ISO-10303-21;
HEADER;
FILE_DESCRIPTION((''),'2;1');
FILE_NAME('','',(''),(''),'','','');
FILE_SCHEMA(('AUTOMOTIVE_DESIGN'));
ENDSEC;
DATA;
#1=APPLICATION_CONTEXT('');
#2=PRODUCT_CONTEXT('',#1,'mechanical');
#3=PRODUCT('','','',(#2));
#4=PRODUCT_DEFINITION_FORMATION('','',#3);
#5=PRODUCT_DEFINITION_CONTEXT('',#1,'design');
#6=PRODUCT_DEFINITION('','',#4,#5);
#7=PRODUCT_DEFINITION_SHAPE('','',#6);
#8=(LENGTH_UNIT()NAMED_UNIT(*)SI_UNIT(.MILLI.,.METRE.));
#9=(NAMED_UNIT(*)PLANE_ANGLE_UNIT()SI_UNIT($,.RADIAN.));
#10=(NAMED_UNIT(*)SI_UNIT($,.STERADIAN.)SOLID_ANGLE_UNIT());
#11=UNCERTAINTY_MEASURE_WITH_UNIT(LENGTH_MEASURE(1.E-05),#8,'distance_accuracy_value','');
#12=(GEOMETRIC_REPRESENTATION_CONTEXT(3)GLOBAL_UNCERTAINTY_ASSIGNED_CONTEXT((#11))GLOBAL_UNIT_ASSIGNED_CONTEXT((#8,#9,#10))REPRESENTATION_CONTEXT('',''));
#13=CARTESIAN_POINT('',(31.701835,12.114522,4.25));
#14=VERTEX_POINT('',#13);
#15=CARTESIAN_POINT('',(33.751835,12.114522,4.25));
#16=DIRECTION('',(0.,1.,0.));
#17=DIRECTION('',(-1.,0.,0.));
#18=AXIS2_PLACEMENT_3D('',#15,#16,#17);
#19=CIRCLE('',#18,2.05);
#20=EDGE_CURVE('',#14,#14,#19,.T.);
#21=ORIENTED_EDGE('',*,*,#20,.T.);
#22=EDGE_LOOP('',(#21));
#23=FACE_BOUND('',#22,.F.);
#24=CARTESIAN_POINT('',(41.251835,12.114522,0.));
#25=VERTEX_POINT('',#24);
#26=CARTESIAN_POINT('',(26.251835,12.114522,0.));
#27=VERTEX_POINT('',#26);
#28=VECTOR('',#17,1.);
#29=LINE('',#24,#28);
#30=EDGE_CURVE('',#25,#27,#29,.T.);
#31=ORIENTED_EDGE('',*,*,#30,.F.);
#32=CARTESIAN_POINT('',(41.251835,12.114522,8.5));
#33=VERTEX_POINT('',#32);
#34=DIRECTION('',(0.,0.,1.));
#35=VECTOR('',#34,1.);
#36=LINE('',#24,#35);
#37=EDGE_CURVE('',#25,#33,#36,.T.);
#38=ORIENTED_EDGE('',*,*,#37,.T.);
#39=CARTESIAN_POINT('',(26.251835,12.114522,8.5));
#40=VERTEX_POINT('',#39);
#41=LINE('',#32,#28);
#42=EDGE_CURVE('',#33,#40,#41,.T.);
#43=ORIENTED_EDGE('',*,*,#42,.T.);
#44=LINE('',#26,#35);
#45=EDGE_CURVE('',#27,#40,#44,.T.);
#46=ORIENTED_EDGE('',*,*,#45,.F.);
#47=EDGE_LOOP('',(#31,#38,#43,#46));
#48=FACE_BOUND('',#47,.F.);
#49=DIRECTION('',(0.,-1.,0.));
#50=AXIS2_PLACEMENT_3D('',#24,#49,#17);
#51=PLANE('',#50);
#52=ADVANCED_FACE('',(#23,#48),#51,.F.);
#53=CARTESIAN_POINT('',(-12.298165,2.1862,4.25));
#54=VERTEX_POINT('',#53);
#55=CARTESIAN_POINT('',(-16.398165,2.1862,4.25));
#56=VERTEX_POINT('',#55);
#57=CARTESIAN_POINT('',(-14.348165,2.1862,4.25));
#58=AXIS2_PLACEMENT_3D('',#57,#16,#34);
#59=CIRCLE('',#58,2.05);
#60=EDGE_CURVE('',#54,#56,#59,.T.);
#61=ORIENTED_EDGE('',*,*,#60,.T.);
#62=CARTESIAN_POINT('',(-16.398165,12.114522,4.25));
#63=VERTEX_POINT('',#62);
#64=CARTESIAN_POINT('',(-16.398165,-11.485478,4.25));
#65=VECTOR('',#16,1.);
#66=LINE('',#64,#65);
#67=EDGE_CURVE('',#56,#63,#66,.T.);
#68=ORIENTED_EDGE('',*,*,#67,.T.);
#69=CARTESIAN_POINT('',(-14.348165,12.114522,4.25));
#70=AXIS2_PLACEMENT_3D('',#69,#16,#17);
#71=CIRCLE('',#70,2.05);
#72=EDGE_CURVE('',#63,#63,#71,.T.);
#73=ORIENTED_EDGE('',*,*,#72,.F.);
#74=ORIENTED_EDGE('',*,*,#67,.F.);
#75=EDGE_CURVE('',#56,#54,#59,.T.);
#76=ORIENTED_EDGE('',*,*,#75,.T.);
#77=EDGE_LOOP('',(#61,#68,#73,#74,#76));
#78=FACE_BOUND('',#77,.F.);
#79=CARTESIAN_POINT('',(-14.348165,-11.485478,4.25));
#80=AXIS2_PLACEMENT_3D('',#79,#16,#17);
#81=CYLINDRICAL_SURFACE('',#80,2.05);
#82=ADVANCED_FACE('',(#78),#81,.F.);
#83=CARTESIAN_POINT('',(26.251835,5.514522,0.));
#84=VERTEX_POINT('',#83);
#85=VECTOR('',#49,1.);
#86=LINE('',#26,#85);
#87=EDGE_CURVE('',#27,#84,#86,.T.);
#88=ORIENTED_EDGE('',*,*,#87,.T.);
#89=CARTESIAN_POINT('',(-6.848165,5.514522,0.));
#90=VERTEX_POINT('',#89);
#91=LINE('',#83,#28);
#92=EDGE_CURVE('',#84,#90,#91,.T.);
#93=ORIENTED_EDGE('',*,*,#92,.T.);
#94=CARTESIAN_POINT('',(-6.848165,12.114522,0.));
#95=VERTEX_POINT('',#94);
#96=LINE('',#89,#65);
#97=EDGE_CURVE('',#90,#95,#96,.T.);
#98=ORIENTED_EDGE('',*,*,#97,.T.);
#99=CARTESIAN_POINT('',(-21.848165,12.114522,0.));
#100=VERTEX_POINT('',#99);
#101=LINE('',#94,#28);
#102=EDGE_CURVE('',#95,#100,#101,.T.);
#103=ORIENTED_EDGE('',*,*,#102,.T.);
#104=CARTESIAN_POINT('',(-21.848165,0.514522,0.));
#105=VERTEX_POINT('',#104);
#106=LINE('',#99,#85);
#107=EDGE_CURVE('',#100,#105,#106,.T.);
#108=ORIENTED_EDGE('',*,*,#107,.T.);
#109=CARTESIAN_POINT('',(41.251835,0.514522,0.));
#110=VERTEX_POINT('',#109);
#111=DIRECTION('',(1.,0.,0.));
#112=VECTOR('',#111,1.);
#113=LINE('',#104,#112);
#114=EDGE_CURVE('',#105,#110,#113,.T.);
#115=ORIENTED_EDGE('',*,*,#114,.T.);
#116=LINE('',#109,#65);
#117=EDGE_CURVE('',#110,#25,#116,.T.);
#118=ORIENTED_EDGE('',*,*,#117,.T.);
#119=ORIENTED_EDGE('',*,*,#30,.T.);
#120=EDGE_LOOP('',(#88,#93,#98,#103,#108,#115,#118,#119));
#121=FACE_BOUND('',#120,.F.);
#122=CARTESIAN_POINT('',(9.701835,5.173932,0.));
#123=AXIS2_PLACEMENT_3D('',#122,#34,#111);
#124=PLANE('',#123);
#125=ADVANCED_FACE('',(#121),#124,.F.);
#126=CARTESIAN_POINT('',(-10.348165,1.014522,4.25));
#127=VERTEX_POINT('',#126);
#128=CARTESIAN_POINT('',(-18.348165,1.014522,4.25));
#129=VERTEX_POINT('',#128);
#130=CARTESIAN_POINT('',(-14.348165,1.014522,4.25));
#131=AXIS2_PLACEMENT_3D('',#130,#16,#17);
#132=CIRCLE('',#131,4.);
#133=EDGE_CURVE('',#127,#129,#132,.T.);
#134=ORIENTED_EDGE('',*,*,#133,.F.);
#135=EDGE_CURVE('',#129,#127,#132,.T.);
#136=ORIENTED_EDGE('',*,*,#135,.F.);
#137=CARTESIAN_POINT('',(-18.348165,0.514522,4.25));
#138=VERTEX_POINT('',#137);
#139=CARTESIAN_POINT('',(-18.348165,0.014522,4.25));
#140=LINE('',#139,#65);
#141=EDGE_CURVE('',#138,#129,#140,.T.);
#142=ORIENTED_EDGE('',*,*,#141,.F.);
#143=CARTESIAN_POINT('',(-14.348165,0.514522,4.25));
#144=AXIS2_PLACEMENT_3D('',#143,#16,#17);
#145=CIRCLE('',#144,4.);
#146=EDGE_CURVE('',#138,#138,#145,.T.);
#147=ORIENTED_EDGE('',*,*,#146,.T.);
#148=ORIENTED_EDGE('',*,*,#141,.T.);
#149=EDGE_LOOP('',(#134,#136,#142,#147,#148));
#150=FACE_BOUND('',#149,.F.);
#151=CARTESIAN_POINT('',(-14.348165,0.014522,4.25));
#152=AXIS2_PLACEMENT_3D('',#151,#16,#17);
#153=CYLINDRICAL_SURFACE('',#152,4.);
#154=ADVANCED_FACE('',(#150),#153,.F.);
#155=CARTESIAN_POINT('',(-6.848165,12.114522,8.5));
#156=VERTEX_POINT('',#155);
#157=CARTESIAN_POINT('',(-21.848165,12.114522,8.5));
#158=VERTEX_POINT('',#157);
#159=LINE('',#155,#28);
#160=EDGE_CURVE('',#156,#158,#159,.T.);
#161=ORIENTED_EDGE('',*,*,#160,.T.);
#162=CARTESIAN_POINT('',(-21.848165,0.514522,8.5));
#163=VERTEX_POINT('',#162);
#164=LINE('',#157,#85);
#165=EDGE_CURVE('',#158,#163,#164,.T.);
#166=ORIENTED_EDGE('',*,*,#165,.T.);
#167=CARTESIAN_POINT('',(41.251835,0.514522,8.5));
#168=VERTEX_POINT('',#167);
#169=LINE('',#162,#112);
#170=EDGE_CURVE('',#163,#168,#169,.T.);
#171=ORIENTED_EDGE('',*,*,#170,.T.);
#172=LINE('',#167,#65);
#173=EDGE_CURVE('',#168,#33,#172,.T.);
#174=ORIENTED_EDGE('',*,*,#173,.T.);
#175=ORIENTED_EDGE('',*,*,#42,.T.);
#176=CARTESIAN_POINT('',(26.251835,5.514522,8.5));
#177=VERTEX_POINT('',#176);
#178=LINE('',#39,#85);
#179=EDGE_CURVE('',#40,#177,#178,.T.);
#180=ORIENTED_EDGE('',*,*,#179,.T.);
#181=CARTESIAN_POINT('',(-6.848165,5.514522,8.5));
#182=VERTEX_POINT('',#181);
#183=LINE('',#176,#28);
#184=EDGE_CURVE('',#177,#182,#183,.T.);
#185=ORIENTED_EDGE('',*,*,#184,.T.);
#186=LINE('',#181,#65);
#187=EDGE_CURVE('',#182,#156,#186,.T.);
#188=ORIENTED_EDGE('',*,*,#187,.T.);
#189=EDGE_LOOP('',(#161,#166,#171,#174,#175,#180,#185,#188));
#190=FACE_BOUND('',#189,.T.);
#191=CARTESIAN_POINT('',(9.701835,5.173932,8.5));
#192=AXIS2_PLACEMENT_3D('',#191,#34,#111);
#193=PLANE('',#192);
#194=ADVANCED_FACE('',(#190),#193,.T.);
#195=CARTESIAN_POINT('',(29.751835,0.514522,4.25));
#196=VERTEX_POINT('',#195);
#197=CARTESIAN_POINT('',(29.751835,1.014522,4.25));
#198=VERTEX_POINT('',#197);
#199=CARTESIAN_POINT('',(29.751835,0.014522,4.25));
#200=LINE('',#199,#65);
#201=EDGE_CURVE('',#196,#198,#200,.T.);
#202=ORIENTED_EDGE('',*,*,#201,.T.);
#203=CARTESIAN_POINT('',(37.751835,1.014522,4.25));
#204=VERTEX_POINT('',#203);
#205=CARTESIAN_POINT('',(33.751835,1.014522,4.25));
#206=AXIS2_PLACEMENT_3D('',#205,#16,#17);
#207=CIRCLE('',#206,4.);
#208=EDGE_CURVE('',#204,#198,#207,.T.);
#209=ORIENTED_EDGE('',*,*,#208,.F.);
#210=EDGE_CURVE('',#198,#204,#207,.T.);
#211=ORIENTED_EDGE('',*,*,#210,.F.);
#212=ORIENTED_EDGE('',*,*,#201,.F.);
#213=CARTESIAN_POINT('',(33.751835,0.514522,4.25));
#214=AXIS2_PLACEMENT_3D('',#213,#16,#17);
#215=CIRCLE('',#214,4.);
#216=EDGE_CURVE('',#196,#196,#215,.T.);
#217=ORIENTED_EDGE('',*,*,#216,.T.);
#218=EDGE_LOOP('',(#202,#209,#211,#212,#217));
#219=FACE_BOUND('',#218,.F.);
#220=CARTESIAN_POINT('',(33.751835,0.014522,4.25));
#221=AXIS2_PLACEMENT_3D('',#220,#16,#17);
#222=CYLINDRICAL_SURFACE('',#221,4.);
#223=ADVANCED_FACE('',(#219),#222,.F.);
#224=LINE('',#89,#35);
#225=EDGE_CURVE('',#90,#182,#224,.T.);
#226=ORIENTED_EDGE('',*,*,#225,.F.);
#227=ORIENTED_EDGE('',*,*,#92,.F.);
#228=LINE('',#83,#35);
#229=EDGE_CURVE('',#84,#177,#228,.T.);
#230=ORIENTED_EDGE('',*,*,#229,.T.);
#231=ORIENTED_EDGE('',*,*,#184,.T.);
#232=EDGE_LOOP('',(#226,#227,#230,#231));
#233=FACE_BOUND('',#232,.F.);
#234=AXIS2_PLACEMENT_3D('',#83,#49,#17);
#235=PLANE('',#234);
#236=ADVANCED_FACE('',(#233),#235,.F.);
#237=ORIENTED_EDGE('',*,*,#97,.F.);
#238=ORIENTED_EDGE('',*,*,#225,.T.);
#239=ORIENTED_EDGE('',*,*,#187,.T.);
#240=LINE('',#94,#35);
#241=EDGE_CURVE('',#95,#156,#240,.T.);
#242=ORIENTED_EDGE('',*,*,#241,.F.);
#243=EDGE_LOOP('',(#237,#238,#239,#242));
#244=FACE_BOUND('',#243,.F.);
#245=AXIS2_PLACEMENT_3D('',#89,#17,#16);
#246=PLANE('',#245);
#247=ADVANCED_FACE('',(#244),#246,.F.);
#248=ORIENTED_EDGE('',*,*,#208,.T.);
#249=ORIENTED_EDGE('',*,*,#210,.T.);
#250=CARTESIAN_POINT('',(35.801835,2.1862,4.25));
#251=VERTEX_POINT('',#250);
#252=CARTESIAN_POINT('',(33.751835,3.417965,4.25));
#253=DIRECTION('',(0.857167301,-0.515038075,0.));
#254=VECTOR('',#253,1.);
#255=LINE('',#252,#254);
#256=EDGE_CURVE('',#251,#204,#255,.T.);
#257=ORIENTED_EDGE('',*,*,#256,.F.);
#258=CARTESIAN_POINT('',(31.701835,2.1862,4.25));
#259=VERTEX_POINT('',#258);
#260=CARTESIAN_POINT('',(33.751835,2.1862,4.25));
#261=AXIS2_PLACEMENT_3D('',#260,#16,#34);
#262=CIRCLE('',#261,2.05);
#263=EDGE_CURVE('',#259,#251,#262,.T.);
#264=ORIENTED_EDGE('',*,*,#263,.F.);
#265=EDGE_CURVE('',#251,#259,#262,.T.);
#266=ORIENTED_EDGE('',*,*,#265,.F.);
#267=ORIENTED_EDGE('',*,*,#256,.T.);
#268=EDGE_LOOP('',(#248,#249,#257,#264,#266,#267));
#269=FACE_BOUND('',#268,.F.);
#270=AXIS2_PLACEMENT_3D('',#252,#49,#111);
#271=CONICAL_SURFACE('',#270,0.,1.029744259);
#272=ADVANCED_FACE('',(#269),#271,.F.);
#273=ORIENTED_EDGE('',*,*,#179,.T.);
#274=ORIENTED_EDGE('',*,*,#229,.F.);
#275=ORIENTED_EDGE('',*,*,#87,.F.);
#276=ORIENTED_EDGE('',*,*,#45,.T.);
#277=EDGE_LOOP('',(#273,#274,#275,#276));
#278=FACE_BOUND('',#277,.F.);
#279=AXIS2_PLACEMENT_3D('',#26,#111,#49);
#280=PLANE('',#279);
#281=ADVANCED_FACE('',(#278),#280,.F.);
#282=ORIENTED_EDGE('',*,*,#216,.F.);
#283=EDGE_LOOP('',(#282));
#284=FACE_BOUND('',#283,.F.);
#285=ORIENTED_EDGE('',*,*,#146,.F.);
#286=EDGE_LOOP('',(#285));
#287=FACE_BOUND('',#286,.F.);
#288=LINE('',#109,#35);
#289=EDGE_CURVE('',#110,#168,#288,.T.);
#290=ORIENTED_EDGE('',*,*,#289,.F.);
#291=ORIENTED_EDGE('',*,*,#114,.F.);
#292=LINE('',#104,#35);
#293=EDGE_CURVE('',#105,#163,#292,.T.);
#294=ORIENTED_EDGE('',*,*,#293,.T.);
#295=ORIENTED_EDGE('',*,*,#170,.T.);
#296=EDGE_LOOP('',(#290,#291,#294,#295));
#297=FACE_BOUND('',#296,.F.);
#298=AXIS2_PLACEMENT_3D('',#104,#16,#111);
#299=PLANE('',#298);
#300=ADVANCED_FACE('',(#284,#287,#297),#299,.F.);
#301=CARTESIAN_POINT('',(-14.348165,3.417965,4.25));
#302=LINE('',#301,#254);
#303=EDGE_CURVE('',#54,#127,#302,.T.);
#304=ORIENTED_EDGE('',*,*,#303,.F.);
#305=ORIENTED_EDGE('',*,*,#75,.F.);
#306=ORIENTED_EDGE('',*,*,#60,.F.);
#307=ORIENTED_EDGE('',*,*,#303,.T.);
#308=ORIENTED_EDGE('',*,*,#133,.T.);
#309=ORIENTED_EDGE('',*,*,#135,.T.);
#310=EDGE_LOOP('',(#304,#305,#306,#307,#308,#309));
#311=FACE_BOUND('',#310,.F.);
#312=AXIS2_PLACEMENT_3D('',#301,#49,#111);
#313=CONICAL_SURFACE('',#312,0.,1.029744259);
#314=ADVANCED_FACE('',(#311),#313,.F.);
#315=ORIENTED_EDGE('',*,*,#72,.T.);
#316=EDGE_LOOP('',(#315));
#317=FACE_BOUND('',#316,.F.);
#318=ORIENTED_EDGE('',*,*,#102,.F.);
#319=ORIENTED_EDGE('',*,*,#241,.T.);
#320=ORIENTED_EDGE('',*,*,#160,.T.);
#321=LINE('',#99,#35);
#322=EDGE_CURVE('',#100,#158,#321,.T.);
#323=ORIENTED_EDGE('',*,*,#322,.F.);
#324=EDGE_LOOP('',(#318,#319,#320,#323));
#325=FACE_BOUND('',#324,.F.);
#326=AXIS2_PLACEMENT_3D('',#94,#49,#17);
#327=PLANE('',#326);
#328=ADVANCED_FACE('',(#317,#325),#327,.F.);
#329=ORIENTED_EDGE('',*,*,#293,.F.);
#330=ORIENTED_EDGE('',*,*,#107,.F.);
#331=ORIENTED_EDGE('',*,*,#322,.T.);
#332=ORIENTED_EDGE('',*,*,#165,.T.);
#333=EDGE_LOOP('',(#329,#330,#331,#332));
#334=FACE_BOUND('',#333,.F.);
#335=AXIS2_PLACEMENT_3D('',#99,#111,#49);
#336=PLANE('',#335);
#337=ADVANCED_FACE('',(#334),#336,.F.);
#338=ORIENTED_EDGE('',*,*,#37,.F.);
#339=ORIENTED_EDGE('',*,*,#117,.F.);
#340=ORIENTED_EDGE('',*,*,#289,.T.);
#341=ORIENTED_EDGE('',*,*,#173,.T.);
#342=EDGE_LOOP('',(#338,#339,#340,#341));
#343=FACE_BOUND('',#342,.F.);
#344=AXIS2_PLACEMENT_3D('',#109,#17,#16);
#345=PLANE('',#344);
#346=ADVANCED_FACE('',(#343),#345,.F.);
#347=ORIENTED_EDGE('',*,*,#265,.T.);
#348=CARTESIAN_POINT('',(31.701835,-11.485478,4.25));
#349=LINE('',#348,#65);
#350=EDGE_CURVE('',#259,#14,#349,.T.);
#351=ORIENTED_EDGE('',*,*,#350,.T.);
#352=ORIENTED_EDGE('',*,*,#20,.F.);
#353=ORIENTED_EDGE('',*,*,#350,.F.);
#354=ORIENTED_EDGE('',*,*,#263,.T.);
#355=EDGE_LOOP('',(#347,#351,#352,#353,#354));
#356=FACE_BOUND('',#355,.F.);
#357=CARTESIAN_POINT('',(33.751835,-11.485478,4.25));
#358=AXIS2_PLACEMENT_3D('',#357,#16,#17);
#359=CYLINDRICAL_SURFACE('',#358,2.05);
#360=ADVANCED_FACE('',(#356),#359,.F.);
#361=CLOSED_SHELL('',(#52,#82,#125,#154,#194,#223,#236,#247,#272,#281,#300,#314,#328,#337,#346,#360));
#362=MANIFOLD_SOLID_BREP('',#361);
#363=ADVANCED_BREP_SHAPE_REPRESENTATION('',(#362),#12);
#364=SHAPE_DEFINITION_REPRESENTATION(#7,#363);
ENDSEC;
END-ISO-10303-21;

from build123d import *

# Parameters (mm, degrees)
F1_DEPTH = 8.5
F3_D     = 4.1
F3_DEPTH = 12
F3_TIP   = 1.231764269
F4_D     = 8
F4_DEPTH = 0.5
F4_TIP   = 2.4034424761


with BuildPart() as f1:
    # F0 (on Top) → F1 (new body)
    with BuildSketch(Plane.XY):
        Polygon((-21.8481650084, 5.5145221063), (-21.8481650084, 0.5145221063), (41.2518349916, 0.5145221063), (41.2518349916, 5.5145221063), (41.2518349916, 12.1145221063), (26.2518349916, 12.1145221063), (26.2518349916, 5.5145221063), (-6.8481650084, 5.5145221063), (-6.8481650084, 12.1145221063), (-21.8481650084, 12.1145221063), align=None)
    extrude(amount=F1_DEPTH)

    # F3
    with Locations(Plane.XZ.offset(-0.5145221063)):
        with Locations((-14.3481650084, 4.25), (33.7518349916, 4.25)):
            Hole(F3_D / 2, depth=F3_DEPTH)
            with Locations((0, 0, -(F3_DEPTH + F3_TIP / 2))):  # 118° drill point
                Cone(0, F3_D / 2, F3_TIP, mode=Mode.SUBTRACT)

    # F4
    with Locations(Plane.XZ.offset(-0.5145221063)):
        with Locations((-14.3481650084, 4.25), (33.7518349916, 4.25)):
            Hole(F4_D / 2, depth=F4_DEPTH)
            with Locations((0, 0, -(F4_DEPTH + F4_TIP / 2))):  # 118° drill point
                Cone(0, F4_D / 2, F4_TIP, mode=Mode.SUBTRACT)


solid = f1.part
